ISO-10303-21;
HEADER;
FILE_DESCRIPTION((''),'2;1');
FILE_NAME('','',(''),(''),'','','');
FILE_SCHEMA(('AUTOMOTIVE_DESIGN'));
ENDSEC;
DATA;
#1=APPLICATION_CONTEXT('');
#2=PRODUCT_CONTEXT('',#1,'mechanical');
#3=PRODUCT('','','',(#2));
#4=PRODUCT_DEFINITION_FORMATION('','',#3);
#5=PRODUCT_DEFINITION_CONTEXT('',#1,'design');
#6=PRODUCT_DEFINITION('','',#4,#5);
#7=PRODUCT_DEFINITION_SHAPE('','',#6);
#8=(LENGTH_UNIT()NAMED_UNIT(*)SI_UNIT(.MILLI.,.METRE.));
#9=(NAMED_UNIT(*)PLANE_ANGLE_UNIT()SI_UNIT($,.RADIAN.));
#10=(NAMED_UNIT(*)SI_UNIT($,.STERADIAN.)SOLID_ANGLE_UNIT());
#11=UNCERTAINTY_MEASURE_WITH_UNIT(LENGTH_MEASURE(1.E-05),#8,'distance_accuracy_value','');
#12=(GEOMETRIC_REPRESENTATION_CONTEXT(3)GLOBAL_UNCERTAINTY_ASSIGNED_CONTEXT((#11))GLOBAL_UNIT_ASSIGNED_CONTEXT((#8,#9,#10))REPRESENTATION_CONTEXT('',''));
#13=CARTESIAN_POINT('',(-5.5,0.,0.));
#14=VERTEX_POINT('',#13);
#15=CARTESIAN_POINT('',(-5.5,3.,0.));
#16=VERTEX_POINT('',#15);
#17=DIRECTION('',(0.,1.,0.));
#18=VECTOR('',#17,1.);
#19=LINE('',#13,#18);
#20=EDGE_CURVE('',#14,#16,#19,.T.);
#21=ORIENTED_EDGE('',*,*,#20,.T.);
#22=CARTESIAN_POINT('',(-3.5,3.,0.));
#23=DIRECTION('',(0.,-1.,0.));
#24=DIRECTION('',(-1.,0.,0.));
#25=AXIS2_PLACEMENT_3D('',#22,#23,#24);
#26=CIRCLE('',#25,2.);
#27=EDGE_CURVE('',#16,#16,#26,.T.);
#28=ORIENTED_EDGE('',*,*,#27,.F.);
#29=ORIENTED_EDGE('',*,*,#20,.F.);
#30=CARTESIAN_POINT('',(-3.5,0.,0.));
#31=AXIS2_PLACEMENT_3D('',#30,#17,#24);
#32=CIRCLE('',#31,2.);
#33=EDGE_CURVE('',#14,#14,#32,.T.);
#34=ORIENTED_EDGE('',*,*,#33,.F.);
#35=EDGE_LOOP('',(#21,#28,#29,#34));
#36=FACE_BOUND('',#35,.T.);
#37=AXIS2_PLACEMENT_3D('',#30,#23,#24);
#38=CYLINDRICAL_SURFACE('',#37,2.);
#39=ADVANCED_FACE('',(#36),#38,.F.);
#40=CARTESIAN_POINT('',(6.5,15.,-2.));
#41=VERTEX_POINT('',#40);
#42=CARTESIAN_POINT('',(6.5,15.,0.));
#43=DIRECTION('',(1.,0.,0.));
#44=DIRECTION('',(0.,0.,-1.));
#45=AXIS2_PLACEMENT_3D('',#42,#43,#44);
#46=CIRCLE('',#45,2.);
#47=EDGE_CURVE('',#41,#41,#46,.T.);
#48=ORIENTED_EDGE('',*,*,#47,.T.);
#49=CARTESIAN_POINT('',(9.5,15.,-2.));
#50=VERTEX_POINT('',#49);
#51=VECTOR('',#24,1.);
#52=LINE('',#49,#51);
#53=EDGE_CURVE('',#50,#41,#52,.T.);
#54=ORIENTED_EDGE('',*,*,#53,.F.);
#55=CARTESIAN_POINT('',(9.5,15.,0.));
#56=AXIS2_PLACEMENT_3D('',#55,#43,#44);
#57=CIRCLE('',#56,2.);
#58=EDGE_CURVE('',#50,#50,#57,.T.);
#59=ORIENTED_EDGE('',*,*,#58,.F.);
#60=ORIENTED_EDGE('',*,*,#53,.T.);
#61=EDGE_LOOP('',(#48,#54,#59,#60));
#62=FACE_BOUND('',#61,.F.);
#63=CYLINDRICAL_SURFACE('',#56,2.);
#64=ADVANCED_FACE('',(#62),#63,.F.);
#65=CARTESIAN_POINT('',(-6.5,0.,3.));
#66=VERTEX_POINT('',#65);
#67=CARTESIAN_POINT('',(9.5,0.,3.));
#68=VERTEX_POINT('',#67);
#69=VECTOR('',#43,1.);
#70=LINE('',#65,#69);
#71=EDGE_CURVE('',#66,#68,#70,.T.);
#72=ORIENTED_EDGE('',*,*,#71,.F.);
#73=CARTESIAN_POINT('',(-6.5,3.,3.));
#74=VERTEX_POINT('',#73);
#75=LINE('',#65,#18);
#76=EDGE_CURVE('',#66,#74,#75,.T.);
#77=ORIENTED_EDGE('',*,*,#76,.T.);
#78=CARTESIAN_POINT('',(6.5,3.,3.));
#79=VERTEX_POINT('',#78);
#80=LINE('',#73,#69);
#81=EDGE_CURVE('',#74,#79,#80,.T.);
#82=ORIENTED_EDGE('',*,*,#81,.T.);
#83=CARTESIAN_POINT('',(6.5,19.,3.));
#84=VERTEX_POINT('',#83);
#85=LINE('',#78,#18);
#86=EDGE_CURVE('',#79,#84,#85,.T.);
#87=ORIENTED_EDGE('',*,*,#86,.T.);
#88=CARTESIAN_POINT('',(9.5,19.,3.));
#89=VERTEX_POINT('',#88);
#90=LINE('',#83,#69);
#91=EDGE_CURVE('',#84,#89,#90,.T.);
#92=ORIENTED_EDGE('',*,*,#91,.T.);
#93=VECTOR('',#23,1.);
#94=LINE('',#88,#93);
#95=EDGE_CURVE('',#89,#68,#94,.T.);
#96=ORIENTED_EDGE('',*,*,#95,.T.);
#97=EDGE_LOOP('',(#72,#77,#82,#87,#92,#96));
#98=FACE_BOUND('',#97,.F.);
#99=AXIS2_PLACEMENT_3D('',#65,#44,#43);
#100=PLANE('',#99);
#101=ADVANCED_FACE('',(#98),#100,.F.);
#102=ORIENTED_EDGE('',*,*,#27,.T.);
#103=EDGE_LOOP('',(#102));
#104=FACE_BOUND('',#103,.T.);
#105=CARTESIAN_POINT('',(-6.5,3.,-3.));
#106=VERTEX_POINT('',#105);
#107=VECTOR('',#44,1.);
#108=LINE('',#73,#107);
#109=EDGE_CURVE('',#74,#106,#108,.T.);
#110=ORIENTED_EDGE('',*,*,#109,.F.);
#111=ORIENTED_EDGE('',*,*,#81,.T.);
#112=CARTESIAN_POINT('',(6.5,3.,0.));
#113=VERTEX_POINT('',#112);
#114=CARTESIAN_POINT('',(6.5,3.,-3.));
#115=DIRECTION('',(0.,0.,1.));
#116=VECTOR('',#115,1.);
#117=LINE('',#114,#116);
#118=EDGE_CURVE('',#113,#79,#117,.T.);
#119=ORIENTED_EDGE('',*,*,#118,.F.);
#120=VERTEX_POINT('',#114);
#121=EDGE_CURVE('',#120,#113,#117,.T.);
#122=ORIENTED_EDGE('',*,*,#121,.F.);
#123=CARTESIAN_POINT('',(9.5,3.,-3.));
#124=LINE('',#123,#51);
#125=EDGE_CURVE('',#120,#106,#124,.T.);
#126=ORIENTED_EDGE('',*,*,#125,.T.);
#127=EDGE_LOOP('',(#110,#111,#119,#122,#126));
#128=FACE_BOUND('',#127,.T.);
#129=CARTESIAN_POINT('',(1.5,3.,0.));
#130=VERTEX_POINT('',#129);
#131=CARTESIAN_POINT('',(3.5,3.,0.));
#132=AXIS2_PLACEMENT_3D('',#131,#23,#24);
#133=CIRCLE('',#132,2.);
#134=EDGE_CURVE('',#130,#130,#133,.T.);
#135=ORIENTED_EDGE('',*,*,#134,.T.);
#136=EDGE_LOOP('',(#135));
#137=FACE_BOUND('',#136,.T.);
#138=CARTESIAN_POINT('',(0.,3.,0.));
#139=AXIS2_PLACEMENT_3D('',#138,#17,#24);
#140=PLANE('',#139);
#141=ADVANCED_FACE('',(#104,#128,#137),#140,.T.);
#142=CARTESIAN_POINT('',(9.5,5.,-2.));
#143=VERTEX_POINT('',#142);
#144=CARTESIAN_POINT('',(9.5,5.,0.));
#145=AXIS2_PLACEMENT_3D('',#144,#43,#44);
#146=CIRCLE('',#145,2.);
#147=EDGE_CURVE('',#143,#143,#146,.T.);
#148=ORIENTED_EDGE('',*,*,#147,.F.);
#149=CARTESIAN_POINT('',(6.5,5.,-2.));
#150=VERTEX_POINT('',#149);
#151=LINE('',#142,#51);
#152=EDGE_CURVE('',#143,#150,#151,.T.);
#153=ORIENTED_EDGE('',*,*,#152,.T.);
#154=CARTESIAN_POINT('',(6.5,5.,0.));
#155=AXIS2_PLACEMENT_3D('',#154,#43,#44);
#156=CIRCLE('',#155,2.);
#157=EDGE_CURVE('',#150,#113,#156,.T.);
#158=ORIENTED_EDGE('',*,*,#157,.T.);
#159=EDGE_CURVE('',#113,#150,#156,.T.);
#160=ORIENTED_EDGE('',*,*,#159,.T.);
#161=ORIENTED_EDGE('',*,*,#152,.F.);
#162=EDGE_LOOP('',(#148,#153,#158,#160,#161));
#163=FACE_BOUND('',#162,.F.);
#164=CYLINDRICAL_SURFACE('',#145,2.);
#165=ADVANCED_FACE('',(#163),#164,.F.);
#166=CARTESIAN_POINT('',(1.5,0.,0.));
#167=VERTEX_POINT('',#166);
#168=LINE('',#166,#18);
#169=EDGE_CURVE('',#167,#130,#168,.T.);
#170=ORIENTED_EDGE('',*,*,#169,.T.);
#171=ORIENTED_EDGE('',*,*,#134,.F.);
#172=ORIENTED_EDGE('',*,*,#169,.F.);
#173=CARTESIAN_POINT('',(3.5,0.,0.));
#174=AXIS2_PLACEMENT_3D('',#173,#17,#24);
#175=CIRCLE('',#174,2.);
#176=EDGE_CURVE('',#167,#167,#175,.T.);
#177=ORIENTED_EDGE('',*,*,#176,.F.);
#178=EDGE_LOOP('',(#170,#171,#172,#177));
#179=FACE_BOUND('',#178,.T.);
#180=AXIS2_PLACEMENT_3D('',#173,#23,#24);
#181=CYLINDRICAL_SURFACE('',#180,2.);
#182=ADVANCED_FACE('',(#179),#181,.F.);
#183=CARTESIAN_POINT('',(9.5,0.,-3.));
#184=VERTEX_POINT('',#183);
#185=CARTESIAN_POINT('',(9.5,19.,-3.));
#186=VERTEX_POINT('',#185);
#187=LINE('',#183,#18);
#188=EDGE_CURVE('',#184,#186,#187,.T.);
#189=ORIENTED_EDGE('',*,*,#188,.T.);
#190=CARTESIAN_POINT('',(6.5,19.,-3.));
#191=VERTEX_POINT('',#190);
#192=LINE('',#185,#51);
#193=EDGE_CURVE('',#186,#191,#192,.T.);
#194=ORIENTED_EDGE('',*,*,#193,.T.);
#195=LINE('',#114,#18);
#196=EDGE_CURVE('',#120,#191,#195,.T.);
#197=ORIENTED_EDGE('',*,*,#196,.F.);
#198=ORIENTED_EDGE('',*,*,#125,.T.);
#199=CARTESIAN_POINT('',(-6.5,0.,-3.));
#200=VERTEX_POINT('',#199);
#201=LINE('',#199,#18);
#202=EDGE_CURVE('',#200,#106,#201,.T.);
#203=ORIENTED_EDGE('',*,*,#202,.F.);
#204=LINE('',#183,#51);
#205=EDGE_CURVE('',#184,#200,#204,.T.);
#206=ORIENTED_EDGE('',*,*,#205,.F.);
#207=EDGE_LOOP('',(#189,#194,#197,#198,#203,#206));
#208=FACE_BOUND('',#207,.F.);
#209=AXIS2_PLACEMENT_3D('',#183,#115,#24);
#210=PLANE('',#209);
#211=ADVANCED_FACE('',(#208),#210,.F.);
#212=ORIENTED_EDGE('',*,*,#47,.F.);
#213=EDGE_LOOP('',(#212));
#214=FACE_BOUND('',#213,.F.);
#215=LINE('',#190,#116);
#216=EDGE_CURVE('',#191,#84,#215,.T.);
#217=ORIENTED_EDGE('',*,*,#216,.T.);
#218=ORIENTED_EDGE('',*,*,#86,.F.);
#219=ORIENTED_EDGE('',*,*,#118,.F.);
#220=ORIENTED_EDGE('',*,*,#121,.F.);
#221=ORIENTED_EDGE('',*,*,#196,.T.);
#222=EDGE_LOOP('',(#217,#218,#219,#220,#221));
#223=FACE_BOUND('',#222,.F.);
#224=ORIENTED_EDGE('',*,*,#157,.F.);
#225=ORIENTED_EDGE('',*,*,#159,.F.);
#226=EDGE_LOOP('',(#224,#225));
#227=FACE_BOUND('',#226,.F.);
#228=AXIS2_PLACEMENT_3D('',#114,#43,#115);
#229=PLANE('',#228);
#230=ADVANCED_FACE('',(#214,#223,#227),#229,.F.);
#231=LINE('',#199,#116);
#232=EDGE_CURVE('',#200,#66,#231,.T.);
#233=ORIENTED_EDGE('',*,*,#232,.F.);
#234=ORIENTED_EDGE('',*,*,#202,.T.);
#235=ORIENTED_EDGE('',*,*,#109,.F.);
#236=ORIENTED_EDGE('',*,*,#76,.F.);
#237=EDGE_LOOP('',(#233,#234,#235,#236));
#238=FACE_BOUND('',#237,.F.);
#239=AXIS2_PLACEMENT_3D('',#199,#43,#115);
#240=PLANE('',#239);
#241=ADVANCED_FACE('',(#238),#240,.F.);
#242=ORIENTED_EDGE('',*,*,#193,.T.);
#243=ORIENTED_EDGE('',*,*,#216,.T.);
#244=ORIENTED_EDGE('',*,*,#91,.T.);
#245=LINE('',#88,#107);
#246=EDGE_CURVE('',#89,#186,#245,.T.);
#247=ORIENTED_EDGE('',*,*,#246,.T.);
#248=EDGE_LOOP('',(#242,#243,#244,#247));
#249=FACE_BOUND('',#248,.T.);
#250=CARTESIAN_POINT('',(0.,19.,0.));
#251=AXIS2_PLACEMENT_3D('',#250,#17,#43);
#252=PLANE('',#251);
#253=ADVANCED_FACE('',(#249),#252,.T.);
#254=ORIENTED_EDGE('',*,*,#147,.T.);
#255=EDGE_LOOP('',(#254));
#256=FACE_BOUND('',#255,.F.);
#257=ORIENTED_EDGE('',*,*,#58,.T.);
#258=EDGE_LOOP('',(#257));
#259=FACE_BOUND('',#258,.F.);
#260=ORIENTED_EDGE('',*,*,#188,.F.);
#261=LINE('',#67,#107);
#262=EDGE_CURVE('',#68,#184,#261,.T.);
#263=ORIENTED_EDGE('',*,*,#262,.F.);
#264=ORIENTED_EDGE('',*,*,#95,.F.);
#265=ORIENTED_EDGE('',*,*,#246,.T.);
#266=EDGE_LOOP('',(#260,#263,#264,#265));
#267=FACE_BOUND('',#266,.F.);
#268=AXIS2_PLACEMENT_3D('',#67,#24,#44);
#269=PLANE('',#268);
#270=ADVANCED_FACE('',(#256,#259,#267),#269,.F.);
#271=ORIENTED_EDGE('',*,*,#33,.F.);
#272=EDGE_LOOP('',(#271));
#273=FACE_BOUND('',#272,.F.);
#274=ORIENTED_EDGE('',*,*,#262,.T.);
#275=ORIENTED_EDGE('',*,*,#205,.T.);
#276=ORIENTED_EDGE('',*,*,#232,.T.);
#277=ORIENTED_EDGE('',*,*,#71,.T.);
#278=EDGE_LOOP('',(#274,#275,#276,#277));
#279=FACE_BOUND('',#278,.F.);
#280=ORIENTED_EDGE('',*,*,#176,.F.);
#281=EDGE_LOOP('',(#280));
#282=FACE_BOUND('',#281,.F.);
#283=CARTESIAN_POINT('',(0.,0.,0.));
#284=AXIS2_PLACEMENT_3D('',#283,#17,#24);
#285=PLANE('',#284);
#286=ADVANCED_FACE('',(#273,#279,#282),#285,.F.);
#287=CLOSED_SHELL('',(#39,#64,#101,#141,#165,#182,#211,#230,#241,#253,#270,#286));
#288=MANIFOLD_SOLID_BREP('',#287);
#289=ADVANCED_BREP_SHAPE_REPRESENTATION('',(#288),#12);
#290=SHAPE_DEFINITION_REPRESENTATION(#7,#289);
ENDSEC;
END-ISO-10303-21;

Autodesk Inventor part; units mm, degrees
ref_plane "YZ Plane" through (0, 0, 0) normal (1, 0, 0) x (0, 1, 0)
ref_plane "XZ Plane" through (0, 0, 0) normal (0, 1, 0) x (-1, 0, 0)
ref_plane "XY Plane" through (0, 0, 0) normal (0, 0, 1) x (1, 0, 0)
sketch "Sketch1" plane through (0, 0, 0) normal (0, 1, 0) x (-1, 0, 0)
  line L0 (-9.5, -3) -> (6.5, -3)
  line L1 (6.5, -3) -> (6.5, 3)
  line L2 (6.5, 3) -> (-9.5, 3)
  line L3 (-9.5, 3) -> (-9.5, -3)
  circle A0 centre (3.5, 0) radius 2
  circle A1 centre (-3.5, 0) radius 2
  point P0 (0, 0)
  dimension "d0" = 4
  dimension "d3" = 3.5
  dimension "d4" = 4
  dimension "d5" = 3.5
  dimension "d6" = 7
  dimension "d7" = 6
  dimension "d8" = 3
  dimension "d9" = 3
  dimension "d10" = 3
  dimension "d11" = 6
extrude "Bottom Extrusion" add sketch "Sketch1" along normal blind 3
sketch "Sketch2" plane through (0, 3, 0) normal (0, 1, 0) x (1, 0, 0)
  line L0 (-6.5, -3) -> (9.5, -3) construction
  line L1 (9.5, -3) -> (9.5, 3) construction
  line L2 (9.5, 3) -> (6.5, 3)
  line L3 (6.5, 3) -> (6.5, -3)
  line L4 (6.5, -3) -> (9.5, -3)
  line L5 (9.5, -3) -> (9.5, 3)
  point P0 (0, 0)
  dimension "d14" = 3
extrude "Top Extrusion" add sketch "Sketch2" along normal blind 16
sketch "Sketch3" plane through (9.5, 0, 3) normal (1, 0, 0) x (0, 0, -1)
  line L0 (0, 19) -> (6, 19) construction
  circle A0 centre (3, 5) radius 2
  circle A1 centre (3, 15) radius 2
  point P0 (3, 0)
  dimension "d17" = 4
  dimension "d18" = 5
  dimension "d19" = 4
  dimension "d20" = 10
  dimension "d21" = 4
extrude "Top Holes" cut sketch "Sketch3" against normal through all
properties part number "Servo Locks V3"
